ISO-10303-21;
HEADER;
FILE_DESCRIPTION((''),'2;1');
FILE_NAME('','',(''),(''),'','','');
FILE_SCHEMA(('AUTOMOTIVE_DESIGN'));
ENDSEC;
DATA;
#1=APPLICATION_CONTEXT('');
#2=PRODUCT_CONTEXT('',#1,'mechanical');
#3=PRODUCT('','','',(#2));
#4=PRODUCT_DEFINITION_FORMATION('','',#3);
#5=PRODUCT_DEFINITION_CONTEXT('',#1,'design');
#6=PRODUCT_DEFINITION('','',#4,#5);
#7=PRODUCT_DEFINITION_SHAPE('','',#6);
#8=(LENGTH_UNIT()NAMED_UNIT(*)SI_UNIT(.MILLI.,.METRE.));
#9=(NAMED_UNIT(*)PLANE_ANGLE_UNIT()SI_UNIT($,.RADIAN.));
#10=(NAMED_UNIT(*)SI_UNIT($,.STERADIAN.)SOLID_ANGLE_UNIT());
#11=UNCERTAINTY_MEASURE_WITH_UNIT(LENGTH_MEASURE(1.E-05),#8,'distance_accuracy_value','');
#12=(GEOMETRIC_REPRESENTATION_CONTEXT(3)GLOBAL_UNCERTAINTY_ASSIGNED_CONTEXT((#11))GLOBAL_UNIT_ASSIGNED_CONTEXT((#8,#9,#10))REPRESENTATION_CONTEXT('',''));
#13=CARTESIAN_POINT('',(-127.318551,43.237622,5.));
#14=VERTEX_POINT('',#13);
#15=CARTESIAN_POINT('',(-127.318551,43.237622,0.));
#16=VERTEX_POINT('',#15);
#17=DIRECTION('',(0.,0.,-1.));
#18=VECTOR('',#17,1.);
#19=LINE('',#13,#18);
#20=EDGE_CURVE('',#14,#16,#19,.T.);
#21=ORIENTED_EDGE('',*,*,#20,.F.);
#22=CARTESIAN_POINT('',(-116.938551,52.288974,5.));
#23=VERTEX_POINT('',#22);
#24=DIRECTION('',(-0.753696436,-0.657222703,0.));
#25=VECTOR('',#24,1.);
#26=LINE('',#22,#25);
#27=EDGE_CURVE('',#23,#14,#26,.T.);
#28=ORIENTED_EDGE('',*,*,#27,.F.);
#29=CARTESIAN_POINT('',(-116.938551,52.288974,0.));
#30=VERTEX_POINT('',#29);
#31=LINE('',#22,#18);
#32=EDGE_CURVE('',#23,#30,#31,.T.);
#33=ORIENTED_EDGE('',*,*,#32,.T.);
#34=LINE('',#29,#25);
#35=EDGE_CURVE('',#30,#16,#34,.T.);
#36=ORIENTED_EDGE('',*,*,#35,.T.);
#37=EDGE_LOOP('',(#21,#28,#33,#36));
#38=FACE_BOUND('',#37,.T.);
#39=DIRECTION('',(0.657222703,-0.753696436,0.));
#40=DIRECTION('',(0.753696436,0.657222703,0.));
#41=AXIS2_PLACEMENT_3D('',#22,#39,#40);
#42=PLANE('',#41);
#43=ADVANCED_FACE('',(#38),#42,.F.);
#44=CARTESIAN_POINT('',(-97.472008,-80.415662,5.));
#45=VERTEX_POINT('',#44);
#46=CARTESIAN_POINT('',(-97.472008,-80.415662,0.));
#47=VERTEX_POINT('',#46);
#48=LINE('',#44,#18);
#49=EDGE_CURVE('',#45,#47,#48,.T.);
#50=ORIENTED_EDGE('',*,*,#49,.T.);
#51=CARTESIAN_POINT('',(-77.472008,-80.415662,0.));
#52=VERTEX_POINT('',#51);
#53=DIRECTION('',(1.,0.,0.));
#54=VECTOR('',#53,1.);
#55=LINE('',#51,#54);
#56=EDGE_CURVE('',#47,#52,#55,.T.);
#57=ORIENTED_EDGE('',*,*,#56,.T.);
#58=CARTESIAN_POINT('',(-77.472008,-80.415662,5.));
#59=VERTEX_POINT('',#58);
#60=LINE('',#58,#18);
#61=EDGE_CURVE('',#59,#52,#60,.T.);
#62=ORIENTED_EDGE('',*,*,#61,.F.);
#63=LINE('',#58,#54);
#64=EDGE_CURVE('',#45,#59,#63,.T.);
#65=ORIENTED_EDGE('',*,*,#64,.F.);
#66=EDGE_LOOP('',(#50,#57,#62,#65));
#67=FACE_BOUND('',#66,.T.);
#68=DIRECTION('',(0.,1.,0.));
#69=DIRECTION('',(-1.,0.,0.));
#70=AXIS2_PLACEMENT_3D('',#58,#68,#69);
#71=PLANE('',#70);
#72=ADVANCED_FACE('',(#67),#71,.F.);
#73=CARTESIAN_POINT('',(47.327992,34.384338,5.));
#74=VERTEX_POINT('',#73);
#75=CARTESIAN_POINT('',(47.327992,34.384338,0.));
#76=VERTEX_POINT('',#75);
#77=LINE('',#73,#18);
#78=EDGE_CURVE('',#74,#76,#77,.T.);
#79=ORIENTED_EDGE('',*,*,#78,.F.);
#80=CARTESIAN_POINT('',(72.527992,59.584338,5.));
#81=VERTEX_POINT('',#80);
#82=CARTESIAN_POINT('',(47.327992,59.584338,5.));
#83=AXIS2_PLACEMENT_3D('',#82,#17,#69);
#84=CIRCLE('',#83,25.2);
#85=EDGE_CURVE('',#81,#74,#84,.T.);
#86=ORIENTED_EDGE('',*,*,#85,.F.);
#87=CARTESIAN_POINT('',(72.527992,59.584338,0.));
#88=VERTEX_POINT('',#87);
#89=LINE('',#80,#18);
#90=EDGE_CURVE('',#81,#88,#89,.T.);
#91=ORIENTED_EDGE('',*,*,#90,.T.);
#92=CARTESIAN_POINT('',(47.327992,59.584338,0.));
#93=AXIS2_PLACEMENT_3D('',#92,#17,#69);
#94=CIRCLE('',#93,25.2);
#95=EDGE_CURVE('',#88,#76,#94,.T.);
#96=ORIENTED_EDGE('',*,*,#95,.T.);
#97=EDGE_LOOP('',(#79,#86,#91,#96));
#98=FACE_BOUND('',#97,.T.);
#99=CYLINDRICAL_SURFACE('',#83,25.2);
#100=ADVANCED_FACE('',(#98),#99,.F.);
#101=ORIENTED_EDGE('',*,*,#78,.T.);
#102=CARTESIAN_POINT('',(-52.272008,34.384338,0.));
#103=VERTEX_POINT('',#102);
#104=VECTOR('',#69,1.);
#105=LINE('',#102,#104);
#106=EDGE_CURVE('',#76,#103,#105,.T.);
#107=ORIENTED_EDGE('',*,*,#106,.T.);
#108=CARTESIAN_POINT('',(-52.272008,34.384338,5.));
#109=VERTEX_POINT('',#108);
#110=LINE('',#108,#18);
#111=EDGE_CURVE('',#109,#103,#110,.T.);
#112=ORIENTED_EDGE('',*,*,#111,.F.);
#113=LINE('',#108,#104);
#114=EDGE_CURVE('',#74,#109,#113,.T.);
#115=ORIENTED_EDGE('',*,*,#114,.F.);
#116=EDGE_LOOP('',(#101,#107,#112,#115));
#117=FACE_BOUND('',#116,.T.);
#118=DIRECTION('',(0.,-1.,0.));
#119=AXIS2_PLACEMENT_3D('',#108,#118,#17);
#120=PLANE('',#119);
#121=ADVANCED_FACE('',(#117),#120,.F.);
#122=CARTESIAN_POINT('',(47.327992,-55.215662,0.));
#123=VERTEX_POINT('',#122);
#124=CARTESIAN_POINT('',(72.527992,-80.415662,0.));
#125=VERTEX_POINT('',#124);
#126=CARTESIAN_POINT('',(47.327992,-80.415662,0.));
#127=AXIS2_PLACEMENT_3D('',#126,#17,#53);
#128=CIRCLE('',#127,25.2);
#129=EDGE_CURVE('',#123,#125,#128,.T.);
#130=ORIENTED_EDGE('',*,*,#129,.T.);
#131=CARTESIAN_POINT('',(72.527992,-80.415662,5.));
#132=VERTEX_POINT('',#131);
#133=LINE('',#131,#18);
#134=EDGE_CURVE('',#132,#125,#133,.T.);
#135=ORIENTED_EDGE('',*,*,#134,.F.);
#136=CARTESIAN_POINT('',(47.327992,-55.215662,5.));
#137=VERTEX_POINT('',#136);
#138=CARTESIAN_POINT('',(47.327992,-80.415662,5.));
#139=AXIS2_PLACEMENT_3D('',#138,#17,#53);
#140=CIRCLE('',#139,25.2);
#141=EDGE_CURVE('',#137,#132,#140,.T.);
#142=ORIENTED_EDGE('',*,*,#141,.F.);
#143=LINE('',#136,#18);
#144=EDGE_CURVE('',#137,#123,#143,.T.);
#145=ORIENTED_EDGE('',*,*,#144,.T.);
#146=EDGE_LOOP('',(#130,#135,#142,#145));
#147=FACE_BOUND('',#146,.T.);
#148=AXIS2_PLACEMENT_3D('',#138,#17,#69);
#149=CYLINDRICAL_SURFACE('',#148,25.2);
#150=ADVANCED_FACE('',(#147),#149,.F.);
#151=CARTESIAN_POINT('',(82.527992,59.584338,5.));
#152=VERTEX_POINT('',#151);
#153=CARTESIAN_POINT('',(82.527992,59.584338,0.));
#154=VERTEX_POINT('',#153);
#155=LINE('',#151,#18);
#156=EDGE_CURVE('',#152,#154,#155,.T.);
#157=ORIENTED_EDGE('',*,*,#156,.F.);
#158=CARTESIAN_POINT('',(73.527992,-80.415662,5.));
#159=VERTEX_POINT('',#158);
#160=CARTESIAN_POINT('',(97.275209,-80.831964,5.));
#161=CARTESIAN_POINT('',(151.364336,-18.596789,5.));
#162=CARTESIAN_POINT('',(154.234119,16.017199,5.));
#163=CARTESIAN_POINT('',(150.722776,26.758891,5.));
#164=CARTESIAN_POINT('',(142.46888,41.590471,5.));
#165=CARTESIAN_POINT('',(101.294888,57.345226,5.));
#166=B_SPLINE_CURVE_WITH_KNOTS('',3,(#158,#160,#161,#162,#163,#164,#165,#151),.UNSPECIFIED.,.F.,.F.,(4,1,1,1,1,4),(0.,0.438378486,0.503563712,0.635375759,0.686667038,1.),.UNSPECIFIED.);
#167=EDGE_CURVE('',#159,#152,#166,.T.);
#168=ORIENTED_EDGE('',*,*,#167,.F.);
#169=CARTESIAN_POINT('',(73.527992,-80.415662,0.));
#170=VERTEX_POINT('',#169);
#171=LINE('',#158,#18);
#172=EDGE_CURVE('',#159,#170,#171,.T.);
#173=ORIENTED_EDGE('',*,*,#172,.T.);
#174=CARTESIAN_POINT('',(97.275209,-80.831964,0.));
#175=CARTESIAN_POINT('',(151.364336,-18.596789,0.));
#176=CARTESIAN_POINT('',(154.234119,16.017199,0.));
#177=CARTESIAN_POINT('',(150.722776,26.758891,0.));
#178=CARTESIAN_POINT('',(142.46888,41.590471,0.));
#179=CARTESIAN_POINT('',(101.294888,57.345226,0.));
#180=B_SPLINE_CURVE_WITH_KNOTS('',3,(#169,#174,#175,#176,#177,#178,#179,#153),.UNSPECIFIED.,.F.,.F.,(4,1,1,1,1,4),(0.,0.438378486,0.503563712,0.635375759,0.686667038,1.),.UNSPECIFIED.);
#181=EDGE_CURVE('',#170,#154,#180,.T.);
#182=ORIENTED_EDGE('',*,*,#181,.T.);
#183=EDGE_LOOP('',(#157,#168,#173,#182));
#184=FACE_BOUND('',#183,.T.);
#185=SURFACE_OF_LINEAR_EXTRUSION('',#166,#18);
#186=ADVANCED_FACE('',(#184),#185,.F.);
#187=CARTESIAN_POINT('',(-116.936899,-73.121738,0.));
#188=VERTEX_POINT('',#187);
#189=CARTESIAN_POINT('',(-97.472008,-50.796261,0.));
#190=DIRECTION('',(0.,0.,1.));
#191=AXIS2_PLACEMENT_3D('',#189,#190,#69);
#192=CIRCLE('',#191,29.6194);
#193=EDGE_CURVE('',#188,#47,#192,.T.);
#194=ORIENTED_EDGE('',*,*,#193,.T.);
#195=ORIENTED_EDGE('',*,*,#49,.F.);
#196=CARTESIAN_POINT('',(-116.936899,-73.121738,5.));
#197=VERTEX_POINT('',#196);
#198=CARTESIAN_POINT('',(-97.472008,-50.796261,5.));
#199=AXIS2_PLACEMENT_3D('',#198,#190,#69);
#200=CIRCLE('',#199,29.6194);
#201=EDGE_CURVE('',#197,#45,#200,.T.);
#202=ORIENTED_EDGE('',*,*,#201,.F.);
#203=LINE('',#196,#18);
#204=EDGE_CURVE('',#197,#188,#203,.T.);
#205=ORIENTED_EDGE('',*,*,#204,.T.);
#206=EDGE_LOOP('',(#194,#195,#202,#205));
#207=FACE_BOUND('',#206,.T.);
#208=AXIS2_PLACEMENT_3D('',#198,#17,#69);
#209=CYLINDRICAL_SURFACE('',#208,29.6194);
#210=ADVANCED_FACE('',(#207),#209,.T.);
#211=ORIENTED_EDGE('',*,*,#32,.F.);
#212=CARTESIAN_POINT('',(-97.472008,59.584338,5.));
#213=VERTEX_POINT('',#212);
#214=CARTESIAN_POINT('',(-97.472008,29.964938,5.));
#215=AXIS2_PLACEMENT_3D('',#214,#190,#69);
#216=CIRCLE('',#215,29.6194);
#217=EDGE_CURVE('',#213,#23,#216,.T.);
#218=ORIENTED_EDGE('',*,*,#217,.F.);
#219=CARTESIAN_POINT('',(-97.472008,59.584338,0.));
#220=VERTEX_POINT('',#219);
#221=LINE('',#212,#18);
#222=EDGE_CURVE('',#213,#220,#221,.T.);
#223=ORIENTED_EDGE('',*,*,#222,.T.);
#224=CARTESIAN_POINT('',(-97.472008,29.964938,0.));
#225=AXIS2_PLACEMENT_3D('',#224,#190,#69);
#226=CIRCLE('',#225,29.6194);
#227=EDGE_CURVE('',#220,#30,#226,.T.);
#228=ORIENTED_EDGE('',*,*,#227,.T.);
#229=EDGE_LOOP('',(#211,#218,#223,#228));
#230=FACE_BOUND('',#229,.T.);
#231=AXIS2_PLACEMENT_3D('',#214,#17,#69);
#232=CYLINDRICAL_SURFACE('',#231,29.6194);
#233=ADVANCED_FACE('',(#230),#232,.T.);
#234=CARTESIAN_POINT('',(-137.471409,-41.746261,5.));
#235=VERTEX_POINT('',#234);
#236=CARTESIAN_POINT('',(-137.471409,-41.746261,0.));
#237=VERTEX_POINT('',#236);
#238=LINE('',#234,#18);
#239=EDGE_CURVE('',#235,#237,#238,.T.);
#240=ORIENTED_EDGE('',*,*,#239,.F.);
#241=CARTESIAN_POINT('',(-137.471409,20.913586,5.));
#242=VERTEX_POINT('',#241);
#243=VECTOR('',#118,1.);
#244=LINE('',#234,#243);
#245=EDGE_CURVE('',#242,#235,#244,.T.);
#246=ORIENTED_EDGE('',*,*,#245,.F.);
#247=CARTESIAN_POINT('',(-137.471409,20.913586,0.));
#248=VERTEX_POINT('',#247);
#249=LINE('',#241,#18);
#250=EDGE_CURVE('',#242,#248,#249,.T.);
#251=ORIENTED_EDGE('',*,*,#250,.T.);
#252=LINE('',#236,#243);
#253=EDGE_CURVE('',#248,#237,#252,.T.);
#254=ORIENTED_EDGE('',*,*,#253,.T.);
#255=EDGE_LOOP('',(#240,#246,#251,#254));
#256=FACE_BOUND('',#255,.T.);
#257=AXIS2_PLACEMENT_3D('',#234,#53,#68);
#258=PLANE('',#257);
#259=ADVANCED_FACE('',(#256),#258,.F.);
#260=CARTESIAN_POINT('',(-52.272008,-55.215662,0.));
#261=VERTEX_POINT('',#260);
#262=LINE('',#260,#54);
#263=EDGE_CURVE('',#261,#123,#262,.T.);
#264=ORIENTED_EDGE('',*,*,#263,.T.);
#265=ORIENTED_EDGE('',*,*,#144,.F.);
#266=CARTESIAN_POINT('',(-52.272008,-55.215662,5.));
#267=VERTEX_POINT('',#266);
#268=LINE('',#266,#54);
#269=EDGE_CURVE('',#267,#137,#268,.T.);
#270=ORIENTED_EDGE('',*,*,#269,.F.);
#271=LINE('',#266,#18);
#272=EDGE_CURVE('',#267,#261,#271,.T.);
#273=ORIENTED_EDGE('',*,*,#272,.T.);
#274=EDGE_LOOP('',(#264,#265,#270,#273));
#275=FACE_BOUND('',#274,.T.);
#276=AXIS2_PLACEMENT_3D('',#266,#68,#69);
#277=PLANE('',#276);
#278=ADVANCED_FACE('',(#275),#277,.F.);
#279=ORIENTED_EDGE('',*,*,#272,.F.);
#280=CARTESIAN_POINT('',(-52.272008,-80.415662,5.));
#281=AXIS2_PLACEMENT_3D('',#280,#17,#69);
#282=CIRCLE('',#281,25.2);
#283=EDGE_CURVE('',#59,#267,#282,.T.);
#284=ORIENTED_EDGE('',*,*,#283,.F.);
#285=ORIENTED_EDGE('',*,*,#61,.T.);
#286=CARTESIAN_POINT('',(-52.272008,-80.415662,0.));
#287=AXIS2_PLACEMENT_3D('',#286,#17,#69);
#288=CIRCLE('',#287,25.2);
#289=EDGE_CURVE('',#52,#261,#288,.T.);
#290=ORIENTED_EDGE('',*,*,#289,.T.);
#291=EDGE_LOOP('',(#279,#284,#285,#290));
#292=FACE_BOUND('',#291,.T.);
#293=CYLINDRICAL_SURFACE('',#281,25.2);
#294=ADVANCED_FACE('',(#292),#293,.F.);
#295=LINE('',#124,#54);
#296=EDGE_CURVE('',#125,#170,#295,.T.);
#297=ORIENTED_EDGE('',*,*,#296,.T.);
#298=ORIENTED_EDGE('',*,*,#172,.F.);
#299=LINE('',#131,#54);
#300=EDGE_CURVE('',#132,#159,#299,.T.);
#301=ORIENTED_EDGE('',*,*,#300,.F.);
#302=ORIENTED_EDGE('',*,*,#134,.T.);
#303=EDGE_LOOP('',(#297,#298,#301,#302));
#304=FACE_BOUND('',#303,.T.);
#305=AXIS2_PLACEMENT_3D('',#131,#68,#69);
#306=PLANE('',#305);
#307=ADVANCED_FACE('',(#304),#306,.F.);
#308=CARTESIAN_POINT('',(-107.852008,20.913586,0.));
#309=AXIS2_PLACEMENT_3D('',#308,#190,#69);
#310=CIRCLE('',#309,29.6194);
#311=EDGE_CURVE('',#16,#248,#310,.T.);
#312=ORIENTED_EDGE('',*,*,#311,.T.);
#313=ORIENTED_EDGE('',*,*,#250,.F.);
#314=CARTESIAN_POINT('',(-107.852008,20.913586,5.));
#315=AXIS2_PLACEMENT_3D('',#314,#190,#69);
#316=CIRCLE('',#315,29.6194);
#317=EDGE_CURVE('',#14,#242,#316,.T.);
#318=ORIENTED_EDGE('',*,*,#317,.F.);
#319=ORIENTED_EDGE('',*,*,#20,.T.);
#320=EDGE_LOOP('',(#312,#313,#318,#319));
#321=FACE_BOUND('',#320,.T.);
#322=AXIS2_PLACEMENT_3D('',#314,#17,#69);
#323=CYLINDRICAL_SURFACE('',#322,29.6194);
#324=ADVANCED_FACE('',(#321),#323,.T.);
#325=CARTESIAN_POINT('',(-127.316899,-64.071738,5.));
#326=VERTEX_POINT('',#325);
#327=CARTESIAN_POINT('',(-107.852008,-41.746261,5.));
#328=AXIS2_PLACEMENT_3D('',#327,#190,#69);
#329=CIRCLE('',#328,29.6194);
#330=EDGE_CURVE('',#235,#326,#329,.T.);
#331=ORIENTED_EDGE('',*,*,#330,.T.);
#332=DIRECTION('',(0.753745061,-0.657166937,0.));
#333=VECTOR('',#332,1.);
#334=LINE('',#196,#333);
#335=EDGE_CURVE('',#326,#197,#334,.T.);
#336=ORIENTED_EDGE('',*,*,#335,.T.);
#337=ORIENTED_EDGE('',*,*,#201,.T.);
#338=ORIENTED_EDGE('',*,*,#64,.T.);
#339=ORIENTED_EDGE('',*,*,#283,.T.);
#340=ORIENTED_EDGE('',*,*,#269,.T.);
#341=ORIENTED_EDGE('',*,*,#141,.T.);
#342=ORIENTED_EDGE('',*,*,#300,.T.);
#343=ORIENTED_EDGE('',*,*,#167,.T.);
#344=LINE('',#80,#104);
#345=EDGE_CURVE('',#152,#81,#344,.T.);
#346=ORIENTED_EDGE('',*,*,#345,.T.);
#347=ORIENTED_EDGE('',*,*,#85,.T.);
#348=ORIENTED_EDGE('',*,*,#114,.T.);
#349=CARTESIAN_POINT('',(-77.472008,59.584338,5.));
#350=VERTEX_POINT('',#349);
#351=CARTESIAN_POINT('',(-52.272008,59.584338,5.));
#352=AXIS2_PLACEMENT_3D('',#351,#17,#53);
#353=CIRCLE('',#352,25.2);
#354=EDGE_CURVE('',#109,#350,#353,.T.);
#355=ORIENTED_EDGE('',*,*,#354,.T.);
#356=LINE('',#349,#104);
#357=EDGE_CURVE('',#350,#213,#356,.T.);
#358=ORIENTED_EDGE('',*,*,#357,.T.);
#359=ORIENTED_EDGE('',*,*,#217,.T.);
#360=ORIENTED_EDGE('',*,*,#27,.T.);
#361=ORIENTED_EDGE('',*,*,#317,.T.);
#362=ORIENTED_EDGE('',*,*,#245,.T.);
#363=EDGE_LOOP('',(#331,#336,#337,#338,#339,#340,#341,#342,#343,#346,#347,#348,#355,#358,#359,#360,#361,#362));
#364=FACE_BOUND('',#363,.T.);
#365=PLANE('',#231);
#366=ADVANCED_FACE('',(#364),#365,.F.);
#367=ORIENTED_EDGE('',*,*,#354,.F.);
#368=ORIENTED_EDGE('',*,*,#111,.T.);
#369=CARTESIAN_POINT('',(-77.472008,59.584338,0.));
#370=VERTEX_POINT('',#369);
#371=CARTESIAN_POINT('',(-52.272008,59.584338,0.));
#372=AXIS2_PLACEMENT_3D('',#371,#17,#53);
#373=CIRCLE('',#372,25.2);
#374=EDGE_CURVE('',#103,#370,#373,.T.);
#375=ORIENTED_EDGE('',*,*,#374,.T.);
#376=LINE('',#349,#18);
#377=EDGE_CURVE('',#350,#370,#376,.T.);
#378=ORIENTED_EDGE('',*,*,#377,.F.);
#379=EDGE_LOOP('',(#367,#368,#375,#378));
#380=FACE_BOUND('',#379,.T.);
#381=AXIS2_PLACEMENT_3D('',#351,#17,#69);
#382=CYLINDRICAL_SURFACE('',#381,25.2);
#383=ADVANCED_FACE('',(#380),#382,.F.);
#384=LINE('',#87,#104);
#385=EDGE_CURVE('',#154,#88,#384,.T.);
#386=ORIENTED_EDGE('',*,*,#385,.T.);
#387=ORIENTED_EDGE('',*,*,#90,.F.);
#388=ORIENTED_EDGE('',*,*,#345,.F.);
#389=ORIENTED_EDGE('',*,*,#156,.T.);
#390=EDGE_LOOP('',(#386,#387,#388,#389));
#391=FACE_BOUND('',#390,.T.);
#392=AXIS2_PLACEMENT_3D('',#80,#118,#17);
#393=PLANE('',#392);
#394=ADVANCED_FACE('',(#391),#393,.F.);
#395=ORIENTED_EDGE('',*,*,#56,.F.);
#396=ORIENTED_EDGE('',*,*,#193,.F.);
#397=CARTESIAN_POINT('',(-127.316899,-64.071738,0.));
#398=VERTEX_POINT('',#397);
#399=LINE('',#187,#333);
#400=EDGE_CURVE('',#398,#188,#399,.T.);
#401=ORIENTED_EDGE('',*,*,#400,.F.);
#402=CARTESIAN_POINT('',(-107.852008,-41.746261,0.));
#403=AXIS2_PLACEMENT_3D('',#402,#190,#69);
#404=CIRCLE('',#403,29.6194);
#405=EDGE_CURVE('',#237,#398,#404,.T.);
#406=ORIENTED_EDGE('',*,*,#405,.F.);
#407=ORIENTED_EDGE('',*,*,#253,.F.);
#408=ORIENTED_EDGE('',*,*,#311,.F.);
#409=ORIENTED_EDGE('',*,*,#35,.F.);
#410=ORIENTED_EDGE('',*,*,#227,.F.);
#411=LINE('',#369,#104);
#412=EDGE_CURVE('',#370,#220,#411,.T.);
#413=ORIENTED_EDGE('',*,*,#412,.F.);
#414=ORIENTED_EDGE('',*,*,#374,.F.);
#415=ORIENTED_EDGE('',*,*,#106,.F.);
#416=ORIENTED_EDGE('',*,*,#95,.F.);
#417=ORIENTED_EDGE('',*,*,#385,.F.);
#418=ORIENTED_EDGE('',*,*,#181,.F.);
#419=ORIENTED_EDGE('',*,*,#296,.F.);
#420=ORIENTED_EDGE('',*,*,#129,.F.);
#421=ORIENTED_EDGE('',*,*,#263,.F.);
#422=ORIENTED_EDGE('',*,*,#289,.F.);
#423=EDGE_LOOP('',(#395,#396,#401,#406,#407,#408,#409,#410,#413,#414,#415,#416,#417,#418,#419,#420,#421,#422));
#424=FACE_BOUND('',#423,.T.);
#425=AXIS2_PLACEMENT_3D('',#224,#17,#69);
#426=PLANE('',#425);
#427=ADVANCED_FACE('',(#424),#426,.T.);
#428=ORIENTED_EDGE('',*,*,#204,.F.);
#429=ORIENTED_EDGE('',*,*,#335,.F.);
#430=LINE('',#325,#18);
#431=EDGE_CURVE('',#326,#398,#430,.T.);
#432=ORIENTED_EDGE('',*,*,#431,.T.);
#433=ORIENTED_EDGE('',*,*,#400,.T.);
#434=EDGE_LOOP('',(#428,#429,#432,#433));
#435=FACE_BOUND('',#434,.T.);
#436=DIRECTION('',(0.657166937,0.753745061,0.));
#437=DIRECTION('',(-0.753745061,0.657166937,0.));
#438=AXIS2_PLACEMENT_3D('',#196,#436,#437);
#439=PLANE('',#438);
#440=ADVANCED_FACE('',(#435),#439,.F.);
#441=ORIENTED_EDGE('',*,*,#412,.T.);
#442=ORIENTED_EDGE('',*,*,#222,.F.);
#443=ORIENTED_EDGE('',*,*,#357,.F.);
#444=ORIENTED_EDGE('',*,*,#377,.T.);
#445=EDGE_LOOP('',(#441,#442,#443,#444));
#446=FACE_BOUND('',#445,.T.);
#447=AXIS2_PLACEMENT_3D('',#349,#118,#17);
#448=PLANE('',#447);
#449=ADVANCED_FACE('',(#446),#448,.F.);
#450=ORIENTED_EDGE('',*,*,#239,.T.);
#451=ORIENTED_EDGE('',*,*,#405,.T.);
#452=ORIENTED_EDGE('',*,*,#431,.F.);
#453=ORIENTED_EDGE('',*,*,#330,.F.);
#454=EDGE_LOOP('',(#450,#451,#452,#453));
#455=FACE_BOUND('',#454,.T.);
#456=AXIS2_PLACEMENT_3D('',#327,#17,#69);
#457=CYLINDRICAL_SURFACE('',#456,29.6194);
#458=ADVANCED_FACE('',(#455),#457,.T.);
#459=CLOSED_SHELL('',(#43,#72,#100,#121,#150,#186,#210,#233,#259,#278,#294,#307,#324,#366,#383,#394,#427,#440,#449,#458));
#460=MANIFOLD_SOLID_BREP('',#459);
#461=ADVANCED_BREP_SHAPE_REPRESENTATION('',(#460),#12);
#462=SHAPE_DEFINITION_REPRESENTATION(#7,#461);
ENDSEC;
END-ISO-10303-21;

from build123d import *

# Parameters (mm, degrees)
BOSS_EXTRU_1_DEPTH = 5


with BuildPart() as part:
    # Esquisse1 → Boss.-Extru.1 (new body)
    with BuildSketch(Plane.XY):
        with BuildLine():
            Line((-77.472008168, 59.584338106), (-97.472008168, 59.584338106))
            ThreePointArc((-97.472008168, 59.584338106), (-107.866340849, 57.70059577), (-116.938550581, 52.288974233))
            Line((-116.938550581, 52.288974233), (-127.318550581, 43.23762235))
            ThreePointArc((-127.318550581, 43.23762235), (-134.813983205, 33.17575459), (-137.471408589, 20.913585802))
            Line((-137.471408589, 20.913585802), (-137.471408589, -41.746261473))
            ThreePointArc((-137.471408589, -41.746261473), (-134.813529559, -54.009427687), (-127.316898811, -64.071738255))
            Line((-127.316898811, -64.071738255), (-116.936898811, -73.121738255))
            ThreePointArc((-116.936898811, -73.121738255), (-107.865314786, -78.532304068), (-97.472008168, -80.415661894))
            Line((-97.472008168, -80.415661894), (-77.472008168, -80.415661894))
            ThreePointArc((-77.472008168, -80.415661894), (-70.091099054, -62.596571008), (-52.272008168, -55.215661894))
            Line((-52.272008168, -55.215661894), (47.327991832, -55.215661894))
            ThreePointArc((47.327991832, -55.215661894), (65.147082718, -62.596571008), (72.527991832, -80.415661894))
            Line((72.527991832, -80.415661894), (73.527991832, -80.415661894))
            add(Edge.make_bspline(
                [(82.527991832, 59.584338106), (101.294887559, 57.345225609), (142.468880392, 41.590471339), (150.722775832, 26.758890718), (154.234118929, 16.017198553), (151.364335726, -18.596789103), (97.275208729, -80.831964251), (73.527991832, -80.415661894)],
                knots=[0, 0, 0, 0, 0.313332962, 0.364624241, 0.496436288, 0.561621514, 1, 1, 1, 1], degree=3))
            Line((82.527991832, 59.584338106), (72.527991832, 59.584338106))
            ThreePointArc((72.527991832, 59.584338106), (65.147082718, 41.76524722), (47.327991832, 34.384338106))
            Line((47.327991832, 34.384338106), (-52.272008168, 34.384338106))
            ThreePointArc((-52.272008168, 34.384338106), (-70.091099054, 41.76524722), (-77.472008168, 59.584338106))
        make_face()
    extrude(amount=BOSS_EXTRU_1_DEPTH)


solid = part.part
